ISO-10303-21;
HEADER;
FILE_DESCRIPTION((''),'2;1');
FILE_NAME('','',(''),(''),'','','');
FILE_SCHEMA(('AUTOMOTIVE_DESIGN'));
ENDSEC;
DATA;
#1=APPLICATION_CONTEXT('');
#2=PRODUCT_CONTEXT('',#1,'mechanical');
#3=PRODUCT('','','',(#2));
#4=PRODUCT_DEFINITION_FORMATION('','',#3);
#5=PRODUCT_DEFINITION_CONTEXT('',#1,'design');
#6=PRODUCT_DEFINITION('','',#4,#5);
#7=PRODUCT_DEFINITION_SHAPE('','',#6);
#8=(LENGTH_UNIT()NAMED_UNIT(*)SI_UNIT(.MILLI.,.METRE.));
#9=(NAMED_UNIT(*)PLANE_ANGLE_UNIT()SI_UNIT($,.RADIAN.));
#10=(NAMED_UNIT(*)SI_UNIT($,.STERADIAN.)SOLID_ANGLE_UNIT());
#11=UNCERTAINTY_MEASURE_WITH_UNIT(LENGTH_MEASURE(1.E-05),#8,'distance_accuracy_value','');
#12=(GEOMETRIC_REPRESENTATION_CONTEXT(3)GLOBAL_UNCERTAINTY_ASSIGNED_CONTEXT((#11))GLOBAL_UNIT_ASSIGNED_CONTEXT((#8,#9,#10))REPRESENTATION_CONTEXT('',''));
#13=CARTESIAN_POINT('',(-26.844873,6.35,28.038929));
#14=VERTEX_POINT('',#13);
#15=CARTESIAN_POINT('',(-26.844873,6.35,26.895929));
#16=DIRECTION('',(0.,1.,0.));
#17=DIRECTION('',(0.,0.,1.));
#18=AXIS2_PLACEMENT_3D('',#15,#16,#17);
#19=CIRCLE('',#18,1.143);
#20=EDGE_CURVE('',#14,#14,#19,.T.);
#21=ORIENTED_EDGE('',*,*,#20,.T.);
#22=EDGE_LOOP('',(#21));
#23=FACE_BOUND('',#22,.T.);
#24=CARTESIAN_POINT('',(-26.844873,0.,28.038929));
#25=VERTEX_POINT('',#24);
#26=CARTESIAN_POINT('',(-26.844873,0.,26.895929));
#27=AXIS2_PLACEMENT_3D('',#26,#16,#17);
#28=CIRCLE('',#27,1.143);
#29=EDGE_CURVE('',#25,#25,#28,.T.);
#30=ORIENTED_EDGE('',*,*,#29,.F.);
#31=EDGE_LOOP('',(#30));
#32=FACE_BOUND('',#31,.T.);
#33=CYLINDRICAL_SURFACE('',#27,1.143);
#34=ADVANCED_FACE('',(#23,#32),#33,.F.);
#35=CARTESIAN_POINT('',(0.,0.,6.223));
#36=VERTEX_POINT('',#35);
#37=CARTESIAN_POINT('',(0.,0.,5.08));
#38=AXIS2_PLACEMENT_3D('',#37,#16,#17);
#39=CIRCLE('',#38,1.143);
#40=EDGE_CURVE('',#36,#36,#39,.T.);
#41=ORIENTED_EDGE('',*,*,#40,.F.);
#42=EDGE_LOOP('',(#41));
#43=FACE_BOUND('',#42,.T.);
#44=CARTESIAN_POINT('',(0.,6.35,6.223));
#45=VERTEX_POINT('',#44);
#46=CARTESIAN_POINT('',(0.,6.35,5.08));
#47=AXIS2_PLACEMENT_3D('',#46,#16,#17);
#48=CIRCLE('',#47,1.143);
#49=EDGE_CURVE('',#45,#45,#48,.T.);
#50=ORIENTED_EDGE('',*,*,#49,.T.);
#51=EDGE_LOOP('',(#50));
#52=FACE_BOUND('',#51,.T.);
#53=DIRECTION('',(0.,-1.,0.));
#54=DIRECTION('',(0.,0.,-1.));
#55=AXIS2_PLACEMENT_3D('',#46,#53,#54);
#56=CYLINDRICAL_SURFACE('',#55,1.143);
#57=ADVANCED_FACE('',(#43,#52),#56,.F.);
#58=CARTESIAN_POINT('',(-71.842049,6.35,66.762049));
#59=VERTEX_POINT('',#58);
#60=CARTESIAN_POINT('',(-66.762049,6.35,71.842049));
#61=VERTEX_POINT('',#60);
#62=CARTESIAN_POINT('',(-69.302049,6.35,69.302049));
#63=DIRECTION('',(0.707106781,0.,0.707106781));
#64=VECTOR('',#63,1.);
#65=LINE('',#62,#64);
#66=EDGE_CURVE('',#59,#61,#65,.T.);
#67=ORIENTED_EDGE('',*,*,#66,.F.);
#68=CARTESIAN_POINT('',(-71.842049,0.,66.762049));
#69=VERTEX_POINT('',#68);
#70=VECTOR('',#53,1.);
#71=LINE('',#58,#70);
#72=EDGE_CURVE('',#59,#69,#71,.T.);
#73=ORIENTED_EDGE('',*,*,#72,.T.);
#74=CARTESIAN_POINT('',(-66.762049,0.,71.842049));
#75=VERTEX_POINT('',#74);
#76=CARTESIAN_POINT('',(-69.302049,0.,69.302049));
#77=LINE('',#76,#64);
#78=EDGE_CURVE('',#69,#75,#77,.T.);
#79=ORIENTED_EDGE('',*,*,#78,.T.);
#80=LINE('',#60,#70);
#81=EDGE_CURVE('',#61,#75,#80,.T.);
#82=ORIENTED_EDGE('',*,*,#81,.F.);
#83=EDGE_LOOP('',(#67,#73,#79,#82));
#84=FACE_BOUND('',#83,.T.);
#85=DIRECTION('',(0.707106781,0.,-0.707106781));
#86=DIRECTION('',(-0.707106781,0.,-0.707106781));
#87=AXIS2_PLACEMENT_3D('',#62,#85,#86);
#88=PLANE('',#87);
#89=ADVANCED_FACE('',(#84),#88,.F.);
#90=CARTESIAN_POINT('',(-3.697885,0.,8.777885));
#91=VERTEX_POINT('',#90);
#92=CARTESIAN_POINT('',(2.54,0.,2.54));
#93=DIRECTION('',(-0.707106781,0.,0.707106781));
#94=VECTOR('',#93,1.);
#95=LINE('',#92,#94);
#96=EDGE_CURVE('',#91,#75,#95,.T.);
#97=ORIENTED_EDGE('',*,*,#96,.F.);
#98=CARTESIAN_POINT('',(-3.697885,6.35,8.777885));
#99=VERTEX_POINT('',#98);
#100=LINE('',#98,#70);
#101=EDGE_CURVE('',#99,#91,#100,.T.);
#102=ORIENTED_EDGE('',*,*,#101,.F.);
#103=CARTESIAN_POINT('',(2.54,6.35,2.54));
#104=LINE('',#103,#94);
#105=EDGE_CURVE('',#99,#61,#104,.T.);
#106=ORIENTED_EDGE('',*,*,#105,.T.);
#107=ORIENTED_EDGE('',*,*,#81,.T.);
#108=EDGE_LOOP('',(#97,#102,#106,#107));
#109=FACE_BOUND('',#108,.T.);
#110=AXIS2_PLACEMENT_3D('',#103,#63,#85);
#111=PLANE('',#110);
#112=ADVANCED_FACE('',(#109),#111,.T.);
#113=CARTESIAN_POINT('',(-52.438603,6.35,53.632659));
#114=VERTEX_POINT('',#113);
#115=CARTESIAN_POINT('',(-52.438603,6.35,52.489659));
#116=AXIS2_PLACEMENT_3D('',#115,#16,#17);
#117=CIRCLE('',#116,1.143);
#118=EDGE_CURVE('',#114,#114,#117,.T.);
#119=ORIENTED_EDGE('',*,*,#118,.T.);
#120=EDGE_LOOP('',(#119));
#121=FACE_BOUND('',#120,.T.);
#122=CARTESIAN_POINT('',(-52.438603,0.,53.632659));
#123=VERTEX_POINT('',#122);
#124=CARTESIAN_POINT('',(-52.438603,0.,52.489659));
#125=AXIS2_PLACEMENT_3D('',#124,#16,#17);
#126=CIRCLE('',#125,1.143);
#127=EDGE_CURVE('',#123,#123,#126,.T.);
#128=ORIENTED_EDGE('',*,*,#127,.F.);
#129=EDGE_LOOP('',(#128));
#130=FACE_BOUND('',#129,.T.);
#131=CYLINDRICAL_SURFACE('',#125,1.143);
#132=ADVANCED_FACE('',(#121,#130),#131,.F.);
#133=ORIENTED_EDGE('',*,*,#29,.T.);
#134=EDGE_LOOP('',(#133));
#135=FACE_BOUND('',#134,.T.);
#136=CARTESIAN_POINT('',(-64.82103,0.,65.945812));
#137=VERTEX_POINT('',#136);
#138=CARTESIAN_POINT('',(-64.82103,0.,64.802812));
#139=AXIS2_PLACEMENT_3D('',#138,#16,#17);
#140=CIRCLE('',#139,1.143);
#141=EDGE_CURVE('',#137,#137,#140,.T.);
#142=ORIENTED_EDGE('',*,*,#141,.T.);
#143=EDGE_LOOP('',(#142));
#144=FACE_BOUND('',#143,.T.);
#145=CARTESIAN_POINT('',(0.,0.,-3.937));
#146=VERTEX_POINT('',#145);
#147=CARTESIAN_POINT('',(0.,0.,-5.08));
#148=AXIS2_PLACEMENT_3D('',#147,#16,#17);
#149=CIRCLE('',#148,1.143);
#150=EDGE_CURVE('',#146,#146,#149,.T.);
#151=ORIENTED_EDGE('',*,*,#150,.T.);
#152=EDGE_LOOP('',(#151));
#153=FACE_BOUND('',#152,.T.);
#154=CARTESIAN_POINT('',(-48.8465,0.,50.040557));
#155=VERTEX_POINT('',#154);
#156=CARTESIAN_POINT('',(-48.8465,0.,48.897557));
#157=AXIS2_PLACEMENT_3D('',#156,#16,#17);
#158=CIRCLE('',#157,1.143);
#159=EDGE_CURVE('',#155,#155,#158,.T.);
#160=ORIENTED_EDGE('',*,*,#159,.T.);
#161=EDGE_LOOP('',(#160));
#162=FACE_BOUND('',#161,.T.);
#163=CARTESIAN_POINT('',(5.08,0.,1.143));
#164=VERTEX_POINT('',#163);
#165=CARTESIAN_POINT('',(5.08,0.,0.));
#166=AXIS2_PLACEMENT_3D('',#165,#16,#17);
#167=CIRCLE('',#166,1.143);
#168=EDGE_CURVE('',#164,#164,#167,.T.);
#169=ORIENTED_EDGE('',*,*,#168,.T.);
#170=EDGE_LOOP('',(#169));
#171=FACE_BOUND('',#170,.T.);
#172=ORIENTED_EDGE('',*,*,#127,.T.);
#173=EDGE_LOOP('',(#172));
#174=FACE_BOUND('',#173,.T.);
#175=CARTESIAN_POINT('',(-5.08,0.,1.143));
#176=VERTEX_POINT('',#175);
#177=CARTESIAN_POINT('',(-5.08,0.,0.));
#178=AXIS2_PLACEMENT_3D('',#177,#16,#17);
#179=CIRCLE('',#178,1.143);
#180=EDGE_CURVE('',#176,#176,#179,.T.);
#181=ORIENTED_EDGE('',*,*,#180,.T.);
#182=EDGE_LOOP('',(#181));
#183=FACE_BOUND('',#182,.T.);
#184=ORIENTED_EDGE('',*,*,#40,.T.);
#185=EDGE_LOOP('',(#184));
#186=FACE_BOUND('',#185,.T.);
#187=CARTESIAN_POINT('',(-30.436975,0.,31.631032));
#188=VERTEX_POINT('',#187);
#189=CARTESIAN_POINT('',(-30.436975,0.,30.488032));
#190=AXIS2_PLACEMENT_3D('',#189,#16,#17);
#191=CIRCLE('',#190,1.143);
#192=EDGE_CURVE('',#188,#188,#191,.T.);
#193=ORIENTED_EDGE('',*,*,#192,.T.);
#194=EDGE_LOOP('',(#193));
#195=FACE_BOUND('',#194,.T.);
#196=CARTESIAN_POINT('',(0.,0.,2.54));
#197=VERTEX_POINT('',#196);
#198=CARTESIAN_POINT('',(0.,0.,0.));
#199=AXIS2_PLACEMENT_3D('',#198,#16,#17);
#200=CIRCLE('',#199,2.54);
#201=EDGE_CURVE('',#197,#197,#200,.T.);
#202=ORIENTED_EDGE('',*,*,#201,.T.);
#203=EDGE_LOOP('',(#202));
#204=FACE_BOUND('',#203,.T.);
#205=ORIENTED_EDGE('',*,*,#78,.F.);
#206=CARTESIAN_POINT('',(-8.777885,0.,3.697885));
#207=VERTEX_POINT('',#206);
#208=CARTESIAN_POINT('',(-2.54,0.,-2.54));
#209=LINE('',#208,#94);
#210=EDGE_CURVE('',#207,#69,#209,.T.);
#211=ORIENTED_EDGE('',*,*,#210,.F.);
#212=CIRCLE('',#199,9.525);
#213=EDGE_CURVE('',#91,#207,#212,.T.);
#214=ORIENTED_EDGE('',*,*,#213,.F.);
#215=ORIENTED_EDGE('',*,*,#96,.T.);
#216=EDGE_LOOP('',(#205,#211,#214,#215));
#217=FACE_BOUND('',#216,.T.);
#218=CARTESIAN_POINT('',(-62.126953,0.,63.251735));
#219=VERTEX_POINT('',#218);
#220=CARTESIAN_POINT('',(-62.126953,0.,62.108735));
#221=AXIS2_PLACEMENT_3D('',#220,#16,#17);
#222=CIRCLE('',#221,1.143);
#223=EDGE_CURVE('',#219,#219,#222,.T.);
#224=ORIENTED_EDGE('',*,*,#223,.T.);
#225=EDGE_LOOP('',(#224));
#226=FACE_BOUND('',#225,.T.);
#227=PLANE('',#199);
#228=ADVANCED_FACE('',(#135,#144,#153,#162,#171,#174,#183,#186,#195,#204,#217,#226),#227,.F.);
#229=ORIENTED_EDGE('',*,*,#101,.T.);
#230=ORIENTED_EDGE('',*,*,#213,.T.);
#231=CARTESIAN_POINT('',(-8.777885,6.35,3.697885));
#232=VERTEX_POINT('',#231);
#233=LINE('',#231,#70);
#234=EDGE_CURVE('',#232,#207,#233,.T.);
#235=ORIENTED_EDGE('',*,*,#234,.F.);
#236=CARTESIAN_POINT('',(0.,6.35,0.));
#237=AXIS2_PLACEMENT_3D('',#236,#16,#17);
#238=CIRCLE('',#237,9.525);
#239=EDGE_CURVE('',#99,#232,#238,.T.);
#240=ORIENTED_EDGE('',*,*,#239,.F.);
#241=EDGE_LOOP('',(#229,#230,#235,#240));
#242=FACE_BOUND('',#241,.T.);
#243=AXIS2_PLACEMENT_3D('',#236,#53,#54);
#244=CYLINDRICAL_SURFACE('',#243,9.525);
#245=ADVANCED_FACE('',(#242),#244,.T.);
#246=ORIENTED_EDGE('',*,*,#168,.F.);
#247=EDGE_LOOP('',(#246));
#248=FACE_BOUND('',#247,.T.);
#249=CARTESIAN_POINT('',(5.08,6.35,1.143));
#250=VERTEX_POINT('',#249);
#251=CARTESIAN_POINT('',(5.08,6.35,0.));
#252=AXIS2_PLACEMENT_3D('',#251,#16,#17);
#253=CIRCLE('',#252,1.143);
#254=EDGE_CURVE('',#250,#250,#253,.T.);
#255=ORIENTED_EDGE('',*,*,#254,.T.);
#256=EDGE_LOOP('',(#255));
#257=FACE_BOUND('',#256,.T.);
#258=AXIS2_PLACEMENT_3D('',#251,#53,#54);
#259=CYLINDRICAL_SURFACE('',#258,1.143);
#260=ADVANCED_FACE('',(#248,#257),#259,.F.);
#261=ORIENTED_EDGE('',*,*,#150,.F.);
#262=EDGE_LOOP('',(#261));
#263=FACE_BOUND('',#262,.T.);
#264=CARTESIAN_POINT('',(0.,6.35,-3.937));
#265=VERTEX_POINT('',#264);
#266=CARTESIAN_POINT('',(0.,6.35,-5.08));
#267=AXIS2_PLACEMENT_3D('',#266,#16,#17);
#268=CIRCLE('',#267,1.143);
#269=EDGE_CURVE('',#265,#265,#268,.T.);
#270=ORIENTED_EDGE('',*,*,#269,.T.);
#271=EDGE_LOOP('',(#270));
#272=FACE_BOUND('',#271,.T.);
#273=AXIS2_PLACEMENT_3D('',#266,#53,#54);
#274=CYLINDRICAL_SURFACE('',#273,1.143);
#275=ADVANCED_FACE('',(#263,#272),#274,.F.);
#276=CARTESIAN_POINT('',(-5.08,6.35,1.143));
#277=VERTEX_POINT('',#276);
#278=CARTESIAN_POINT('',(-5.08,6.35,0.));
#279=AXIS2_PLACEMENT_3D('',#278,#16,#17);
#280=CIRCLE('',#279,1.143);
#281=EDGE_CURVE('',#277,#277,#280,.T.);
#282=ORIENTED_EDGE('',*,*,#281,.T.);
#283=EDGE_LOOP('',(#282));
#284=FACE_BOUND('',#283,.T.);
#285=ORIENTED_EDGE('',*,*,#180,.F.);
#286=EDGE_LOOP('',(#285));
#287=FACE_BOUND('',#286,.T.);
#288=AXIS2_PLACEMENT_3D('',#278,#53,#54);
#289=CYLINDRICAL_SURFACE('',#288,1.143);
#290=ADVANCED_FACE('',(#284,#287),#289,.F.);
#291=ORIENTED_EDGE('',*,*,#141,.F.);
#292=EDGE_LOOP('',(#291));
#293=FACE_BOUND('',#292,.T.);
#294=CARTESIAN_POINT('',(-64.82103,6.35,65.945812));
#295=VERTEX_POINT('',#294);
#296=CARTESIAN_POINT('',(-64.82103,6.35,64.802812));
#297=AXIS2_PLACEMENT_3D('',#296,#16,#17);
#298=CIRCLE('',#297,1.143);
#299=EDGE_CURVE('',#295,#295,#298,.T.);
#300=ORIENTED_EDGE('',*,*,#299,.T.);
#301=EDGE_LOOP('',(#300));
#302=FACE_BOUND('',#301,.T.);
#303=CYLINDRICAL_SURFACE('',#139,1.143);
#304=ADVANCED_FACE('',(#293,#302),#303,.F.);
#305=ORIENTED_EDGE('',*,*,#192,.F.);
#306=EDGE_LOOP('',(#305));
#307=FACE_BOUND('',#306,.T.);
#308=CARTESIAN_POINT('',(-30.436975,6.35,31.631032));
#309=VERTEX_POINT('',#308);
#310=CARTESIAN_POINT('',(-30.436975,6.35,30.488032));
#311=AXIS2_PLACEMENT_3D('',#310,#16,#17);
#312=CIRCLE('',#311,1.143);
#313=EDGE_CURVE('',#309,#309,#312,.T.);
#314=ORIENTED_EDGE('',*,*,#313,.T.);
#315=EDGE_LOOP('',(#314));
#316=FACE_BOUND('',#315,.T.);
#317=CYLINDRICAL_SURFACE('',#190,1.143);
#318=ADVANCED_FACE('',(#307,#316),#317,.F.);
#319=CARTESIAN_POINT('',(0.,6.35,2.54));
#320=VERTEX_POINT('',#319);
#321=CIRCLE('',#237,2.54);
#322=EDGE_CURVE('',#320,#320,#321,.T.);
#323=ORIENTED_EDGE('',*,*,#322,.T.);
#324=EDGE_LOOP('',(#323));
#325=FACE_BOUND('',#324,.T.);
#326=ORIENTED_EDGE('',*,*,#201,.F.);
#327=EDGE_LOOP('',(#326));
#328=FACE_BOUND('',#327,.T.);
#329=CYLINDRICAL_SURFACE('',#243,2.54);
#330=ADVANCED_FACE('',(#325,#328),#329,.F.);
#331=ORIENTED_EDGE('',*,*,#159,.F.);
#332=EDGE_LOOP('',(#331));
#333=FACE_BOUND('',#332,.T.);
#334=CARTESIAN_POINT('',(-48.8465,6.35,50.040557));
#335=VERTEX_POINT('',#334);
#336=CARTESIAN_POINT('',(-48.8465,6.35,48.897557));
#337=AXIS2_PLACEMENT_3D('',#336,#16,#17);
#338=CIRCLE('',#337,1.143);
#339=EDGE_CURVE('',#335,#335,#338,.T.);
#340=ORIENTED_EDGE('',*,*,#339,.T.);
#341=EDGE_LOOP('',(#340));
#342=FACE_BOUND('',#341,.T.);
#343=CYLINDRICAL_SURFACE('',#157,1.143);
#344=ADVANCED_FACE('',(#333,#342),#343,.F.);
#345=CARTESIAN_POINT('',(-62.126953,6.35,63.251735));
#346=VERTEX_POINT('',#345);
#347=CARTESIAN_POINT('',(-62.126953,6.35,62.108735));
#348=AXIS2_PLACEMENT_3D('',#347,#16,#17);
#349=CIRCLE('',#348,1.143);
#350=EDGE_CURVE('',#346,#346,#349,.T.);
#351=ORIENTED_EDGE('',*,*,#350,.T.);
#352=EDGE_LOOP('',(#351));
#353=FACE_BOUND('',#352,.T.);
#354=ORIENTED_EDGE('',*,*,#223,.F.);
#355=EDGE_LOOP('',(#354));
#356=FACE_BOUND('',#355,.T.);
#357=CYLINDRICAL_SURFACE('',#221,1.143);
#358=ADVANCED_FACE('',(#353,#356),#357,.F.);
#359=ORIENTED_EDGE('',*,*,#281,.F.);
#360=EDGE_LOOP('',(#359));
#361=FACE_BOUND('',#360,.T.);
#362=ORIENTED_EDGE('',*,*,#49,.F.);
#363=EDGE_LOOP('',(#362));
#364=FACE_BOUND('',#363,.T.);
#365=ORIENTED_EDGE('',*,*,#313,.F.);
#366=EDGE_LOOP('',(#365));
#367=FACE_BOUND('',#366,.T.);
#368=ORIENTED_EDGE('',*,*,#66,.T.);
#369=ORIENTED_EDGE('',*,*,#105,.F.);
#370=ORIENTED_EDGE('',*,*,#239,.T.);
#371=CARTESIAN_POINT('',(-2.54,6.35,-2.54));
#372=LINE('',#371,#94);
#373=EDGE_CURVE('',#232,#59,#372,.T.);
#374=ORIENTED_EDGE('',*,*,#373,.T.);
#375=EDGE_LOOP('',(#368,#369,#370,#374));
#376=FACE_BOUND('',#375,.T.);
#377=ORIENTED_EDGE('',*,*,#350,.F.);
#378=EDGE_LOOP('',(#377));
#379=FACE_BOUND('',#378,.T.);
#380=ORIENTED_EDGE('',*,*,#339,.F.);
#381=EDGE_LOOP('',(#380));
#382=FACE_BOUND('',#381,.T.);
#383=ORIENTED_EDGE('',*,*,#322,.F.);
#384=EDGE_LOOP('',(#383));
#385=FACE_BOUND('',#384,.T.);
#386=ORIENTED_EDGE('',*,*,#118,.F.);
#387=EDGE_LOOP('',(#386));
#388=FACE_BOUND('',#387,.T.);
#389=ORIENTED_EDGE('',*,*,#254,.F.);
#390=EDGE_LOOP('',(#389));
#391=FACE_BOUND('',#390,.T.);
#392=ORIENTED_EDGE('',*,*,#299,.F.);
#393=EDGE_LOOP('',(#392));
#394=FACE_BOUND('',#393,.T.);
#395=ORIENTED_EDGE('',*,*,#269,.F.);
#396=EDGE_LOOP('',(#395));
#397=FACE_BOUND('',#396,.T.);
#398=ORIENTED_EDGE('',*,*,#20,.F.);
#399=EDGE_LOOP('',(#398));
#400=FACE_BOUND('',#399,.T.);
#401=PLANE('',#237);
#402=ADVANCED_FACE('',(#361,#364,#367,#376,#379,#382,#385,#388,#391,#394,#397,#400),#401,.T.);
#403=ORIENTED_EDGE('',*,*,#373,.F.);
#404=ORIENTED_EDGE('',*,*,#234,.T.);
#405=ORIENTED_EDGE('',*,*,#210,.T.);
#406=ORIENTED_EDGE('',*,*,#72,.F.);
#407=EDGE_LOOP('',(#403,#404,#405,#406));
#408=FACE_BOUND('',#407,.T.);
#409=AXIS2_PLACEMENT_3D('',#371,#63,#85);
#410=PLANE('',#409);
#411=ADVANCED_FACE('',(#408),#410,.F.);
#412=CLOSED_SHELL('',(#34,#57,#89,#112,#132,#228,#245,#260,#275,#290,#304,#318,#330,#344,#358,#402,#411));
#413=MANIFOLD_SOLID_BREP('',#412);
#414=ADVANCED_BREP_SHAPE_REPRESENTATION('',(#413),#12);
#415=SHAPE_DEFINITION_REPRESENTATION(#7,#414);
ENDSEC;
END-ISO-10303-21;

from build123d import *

# Parameters (mm, degrees)
SKETCH1_R           = 9.525
SKETCH1_R_2         = 2.54
SKETCH1_R_3         = 1.143
BOSS_EXTRUDE1_DEPTH = 6.35
BOSS_EXTRUDE2_DEPTH = 6.35
SKETCH4_R           = 1.143
CUT_EXTRUDE1_DEPTH  = 6.35


with BuildPart() as part:
    # Sketch1 → Boss-Extrude1 (new body)
    with BuildSketch(Plane(origin=(0, 0, 0), x_dir=(1, 0, 0), z_dir=(0, 1, 0))):
        Circle(SKETCH1_R)
        Circle(SKETCH1_R_2, mode=Mode.SUBTRACT)
        with Locations((-5.08, 0)):
            Circle(SKETCH1_R_3, mode=Mode.SUBTRACT)
        with Locations((0, 5.08)):
            Circle(SKETCH1_R_3, mode=Mode.SUBTRACT)
        with Locations((5.08, 0)):
            Circle(SKETCH1_R_3, mode=Mode.SUBTRACT)
        with Locations((0, -5.08)):
            Circle(SKETCH1_R_3, mode=Mode.SUBTRACT)
    extrude(amount=BOSS_EXTRUDE1_DEPTH)

    # Sketch3 → Boss-Extrude2 (add)
    with BuildSketch(Plane(origin=(0, 0, 0), x_dir=(1, 0, 0), z_dir=(0, 1, 0))):
        with BuildLine():
            ThreePointArc((-3.697885259, -8.777885259), (-6.735192091, -6.735192091), (-8.777885259, -3.697885259))
            Line((-8.777885259, -3.697885259), (-71.842048969, -66.762048969))
            Line((-71.842048969, -66.762048969), (-66.762048969, -71.842048969))
            Line((-66.762048969, -71.842048969), (-3.697885259, -8.777885259))
        make_face()
    extrude(amount=BOSS_EXTRUDE2_DEPTH)

    # Sketch4 → Cut-Extrude1 (cut)
    with BuildSketch(Plane(origin=(0, 6.35, 0), x_dir=(1, 0, 0), z_dir=(0, 1, 0))):
        with Locations((-64.821029526, -64.80281229)):
            Circle(SKETCH4_R)
        with Locations((-62.126952689, -62.108735454)):
            Circle(SKETCH4_R)
        with Locations((-52.438602593, -52.489659165)):
            Circle(SKETCH4_R)
        with Locations((-48.846500144, -48.897556717)):
            Circle(SKETCH4_R)
        with Locations((-30.436975096, -30.488031668)):
            Circle(SKETCH4_R)
        with Locations((-26.844872648, -26.89592922)):
            Circle(SKETCH4_R)
    extrude(amount=-CUT_EXTRUDE1_DEPTH, mode=Mode.SUBTRACT)


solid = part.part
